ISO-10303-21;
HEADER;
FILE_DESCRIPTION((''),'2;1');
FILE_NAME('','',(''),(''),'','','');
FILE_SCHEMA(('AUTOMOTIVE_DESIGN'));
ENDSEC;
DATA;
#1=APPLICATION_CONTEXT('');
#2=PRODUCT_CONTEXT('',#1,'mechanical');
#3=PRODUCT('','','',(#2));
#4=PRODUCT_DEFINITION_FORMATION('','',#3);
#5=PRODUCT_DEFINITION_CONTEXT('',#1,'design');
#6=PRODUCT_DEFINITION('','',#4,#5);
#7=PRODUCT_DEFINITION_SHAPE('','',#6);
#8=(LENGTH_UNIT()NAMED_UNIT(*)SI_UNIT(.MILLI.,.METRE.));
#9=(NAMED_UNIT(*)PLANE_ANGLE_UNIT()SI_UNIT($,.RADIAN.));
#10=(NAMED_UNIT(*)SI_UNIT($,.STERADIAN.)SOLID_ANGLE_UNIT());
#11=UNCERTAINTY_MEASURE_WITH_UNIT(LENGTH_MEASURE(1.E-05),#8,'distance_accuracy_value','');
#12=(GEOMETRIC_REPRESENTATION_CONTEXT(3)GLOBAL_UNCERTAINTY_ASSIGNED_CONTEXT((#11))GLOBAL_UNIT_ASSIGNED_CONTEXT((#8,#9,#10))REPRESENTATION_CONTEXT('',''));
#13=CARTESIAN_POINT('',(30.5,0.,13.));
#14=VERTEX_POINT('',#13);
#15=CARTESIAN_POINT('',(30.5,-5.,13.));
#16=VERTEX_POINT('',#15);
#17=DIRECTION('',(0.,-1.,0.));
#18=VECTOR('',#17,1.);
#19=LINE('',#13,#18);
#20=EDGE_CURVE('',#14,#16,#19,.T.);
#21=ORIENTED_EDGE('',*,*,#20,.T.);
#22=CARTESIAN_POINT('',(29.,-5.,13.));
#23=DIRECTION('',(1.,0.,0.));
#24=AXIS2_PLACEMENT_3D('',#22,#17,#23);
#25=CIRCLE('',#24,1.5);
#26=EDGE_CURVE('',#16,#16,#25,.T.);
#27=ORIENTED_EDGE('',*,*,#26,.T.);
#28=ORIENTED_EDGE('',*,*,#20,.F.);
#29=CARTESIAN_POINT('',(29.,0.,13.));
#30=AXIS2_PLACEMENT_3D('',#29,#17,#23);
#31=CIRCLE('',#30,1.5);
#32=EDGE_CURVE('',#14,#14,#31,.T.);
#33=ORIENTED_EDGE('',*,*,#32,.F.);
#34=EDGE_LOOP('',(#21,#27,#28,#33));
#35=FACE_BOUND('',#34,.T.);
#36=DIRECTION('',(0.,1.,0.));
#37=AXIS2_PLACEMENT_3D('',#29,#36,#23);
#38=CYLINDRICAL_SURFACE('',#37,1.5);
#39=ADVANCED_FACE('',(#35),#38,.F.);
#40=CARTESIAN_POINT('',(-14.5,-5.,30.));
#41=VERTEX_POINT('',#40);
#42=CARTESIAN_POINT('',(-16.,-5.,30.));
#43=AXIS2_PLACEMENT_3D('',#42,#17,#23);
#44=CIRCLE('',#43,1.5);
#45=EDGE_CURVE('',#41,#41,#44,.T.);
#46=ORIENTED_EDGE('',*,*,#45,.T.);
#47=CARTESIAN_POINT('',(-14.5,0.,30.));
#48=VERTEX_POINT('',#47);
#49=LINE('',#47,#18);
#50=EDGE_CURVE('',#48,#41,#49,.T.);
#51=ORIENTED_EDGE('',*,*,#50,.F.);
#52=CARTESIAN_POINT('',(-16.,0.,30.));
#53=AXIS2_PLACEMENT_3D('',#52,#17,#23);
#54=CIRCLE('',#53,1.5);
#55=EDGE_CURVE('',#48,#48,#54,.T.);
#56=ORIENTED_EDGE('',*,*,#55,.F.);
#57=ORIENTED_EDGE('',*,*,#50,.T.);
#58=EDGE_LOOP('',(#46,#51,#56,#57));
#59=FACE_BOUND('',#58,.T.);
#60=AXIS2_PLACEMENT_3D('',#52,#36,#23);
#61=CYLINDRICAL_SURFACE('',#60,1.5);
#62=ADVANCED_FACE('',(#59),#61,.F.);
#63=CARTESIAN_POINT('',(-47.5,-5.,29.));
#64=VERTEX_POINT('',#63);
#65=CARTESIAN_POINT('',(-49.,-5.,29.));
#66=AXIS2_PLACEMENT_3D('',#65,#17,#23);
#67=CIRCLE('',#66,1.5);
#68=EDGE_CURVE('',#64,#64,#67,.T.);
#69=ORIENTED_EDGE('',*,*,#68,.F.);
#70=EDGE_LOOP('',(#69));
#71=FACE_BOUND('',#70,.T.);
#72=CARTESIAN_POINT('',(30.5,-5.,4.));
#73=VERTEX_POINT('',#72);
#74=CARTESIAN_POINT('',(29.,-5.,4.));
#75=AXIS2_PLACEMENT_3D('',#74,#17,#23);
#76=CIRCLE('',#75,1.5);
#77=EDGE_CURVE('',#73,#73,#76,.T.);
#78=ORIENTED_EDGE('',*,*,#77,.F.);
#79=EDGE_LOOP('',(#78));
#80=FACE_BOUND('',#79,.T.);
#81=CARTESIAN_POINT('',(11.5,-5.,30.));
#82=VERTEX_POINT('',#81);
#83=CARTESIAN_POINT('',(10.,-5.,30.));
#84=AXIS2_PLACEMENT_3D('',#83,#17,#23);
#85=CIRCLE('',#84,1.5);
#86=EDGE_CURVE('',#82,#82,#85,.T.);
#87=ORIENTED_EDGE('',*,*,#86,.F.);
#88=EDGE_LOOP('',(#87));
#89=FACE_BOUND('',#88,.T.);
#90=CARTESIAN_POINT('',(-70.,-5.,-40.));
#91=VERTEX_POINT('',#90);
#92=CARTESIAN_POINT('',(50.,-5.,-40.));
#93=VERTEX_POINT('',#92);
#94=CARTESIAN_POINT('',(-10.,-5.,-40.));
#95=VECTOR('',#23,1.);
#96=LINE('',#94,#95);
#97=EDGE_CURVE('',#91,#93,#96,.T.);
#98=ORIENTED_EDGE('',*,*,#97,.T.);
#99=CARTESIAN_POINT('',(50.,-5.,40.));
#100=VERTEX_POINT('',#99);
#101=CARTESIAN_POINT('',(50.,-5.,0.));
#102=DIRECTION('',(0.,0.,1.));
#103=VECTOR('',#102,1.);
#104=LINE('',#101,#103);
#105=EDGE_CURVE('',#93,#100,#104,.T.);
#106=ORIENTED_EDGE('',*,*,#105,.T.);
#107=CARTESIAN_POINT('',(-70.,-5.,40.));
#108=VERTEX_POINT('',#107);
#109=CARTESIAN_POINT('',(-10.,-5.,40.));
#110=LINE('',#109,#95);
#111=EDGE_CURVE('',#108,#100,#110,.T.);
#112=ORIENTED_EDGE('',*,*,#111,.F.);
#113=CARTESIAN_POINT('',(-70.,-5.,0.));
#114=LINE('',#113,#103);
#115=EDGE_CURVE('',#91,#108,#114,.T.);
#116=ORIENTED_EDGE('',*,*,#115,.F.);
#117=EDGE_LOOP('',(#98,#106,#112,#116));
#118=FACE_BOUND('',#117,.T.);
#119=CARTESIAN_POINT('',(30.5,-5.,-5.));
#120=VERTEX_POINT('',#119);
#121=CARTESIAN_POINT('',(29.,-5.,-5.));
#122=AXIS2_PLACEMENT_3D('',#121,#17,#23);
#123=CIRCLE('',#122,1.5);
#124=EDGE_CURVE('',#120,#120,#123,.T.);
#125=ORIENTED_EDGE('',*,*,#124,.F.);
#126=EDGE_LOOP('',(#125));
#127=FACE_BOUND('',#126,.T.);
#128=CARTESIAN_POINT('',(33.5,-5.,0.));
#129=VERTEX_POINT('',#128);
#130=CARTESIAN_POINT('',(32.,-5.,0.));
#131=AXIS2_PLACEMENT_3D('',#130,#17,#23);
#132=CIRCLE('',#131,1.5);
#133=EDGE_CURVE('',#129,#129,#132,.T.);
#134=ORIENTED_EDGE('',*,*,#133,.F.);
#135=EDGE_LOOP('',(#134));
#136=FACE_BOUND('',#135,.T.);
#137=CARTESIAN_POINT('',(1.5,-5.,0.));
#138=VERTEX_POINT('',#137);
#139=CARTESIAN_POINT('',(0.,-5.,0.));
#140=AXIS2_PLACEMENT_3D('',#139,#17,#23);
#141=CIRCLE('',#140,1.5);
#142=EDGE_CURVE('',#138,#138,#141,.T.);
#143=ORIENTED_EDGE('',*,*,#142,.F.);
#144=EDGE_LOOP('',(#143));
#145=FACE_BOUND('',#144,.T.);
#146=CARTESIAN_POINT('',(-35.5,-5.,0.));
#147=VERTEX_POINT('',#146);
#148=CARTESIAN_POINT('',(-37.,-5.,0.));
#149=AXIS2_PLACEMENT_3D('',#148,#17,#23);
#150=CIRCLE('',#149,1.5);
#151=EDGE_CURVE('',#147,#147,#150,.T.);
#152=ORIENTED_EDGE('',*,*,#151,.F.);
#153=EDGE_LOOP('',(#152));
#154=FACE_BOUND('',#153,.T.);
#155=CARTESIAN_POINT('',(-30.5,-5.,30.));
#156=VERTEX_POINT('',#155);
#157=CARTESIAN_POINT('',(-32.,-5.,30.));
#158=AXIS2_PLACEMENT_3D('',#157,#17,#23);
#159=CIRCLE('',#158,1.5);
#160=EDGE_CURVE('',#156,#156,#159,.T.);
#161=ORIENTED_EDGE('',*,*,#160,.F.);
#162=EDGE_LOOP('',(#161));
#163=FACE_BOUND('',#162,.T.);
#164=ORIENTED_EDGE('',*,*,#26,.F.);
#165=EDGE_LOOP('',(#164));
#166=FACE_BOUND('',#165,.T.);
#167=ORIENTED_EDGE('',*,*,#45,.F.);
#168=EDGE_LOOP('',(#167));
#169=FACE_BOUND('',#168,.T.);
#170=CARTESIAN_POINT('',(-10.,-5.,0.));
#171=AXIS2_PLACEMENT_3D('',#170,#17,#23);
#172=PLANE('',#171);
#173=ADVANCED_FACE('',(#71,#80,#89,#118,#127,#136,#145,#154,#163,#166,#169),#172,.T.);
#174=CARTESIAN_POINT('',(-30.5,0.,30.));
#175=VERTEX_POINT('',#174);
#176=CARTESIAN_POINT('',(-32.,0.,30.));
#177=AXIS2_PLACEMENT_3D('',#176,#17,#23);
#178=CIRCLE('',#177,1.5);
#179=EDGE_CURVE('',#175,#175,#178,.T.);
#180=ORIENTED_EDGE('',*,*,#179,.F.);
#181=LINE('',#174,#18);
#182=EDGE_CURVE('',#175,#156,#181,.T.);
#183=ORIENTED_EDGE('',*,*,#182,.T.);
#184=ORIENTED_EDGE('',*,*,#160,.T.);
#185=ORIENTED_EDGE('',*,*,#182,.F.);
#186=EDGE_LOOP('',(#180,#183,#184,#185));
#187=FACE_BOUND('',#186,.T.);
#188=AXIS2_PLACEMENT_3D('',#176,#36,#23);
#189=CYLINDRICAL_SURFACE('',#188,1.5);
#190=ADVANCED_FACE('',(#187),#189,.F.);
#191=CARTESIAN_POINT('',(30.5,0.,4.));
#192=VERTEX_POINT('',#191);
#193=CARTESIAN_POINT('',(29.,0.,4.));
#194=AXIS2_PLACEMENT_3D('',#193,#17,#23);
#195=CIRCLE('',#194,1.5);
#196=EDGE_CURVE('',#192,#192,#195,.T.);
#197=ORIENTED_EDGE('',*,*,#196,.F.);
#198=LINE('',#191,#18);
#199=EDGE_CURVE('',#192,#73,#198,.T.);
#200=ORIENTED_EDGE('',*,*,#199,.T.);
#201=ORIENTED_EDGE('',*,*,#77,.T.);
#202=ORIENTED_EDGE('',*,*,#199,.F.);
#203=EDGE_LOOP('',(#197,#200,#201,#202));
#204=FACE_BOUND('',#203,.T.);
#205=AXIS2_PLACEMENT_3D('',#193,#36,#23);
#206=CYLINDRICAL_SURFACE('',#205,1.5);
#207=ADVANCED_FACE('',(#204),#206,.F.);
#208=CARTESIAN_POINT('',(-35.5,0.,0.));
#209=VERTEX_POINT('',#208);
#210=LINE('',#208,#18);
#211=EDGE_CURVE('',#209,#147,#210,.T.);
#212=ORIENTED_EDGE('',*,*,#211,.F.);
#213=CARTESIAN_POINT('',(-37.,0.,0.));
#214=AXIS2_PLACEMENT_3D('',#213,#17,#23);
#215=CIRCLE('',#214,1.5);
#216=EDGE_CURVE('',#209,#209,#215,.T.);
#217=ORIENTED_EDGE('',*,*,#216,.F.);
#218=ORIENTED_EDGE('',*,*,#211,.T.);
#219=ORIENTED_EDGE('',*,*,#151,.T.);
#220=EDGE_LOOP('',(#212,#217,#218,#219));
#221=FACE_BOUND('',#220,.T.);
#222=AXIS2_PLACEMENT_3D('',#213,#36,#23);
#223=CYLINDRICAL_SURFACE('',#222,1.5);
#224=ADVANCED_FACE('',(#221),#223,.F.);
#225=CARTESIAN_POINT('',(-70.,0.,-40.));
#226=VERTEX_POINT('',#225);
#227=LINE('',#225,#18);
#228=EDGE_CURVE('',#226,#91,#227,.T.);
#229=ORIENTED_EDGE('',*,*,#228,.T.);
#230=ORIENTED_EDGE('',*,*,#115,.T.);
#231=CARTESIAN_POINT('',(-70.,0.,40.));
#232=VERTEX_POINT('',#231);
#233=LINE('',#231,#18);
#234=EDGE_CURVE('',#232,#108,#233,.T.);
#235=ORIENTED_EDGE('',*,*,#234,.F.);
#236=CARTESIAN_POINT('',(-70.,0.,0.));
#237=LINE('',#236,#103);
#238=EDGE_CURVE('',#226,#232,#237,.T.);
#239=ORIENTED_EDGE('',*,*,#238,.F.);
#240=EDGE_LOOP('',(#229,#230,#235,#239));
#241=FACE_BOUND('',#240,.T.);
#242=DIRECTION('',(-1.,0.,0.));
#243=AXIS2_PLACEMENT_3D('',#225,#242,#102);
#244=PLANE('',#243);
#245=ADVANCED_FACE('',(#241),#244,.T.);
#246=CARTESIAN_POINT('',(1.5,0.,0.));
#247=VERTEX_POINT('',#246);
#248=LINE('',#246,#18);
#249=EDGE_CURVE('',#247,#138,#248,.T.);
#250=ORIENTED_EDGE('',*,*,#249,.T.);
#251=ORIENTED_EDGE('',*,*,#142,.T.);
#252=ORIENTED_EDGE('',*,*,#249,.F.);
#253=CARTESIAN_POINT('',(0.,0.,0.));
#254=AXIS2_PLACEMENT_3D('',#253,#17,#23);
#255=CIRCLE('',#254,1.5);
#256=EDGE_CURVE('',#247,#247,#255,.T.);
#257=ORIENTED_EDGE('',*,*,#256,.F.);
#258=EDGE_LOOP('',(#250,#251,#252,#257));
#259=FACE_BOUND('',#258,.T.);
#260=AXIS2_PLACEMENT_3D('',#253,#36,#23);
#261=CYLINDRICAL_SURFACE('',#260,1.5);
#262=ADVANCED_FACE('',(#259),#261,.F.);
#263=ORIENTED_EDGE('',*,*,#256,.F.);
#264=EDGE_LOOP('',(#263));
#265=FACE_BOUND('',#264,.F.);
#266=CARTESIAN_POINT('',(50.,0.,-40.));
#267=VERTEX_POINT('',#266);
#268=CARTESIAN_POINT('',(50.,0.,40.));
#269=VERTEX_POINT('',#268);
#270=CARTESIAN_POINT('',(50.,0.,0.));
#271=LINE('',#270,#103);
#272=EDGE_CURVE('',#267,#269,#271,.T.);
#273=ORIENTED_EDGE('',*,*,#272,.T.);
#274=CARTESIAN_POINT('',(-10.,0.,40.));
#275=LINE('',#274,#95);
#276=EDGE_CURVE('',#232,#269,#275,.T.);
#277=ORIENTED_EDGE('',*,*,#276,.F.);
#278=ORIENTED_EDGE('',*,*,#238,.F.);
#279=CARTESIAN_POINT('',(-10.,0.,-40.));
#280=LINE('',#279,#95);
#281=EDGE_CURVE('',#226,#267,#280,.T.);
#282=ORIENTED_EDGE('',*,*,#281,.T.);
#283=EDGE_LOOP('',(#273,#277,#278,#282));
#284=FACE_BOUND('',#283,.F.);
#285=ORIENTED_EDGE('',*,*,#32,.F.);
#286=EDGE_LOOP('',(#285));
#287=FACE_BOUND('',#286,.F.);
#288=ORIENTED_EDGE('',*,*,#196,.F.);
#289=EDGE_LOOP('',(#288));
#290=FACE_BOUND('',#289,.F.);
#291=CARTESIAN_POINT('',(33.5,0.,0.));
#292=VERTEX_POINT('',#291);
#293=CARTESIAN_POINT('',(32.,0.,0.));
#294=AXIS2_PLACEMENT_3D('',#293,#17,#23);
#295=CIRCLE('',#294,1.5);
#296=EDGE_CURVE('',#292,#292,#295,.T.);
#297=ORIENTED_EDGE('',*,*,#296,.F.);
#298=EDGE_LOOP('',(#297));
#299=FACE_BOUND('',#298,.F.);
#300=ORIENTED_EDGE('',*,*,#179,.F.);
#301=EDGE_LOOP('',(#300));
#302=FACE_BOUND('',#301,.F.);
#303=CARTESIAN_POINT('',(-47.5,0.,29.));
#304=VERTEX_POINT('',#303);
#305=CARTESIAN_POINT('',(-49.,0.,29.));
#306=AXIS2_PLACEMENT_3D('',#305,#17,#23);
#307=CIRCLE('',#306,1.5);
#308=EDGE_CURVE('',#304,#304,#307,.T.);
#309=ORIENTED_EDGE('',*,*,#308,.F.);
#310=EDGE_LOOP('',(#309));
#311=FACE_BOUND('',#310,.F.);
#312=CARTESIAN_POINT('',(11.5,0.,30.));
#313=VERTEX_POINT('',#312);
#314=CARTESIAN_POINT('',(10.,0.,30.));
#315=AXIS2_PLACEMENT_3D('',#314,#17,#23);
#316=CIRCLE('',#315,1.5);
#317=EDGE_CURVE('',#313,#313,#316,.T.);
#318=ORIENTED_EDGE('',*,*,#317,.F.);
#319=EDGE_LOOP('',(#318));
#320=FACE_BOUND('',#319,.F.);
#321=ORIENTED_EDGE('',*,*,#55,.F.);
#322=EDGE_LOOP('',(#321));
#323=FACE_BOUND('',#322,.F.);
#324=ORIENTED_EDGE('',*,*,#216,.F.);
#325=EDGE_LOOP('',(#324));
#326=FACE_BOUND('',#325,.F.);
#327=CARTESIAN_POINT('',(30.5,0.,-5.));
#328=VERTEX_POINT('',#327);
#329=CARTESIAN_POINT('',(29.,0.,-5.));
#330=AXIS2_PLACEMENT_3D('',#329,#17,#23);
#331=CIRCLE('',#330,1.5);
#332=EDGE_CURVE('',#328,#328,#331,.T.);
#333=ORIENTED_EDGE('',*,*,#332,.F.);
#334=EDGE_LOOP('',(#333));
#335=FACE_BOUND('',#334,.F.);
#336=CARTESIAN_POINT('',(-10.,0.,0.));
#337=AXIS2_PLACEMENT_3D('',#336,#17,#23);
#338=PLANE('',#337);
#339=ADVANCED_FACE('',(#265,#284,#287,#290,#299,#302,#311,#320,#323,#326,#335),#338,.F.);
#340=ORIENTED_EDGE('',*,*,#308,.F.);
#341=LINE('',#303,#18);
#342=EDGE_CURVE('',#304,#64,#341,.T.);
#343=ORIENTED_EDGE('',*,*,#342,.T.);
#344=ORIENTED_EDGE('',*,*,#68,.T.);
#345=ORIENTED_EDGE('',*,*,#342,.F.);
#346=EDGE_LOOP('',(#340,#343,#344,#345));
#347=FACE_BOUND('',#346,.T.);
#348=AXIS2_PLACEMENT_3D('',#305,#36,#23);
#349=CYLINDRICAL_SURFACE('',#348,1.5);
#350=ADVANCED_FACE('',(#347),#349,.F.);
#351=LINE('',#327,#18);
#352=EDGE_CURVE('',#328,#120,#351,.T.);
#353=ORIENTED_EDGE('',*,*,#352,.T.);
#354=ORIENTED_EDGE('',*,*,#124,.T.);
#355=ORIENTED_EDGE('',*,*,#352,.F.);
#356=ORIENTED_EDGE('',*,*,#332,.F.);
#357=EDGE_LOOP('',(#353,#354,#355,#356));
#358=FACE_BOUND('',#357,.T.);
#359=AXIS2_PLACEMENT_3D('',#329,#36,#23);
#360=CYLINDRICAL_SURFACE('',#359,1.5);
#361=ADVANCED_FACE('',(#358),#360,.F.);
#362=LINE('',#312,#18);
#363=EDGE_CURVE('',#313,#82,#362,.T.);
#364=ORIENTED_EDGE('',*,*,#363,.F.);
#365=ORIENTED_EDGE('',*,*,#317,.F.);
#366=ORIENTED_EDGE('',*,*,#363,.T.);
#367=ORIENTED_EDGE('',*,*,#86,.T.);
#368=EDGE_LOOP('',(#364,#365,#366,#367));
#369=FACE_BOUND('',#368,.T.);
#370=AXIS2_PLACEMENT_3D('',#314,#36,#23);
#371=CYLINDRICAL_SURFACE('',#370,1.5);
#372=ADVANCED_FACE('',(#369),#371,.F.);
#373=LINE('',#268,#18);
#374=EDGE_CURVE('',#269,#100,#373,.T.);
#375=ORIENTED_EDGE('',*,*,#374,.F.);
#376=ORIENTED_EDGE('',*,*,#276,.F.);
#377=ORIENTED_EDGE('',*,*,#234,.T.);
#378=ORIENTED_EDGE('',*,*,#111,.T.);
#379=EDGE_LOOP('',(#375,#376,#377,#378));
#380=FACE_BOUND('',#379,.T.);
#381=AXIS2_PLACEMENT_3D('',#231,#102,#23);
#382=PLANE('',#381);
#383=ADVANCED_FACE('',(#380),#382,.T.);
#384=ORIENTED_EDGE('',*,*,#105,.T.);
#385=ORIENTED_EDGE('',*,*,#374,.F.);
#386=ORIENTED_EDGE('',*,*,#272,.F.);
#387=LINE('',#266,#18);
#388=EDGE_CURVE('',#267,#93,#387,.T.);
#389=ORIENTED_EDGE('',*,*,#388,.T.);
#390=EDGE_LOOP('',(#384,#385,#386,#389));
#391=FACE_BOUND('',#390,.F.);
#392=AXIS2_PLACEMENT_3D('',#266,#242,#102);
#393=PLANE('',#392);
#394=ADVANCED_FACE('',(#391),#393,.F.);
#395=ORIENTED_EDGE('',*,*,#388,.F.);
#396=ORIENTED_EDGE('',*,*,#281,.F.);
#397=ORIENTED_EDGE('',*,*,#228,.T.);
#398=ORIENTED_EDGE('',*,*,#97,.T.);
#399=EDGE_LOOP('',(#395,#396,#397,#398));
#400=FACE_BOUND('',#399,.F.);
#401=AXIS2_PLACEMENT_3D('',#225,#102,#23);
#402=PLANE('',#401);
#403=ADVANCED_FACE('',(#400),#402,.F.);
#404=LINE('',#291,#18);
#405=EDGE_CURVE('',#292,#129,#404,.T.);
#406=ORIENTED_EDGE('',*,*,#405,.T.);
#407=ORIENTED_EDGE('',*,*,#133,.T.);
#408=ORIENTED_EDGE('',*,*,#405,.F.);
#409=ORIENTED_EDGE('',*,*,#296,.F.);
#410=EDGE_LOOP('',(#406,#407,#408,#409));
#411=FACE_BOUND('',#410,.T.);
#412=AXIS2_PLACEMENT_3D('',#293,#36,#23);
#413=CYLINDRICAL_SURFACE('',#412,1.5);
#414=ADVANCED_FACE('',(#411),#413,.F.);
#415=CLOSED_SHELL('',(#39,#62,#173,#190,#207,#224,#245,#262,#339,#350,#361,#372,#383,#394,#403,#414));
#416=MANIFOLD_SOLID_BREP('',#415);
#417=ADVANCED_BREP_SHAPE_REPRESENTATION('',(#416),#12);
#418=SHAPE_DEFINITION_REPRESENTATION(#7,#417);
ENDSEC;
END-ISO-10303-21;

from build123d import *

# Parameters (mm, degrees)
F0_W     = 120
F0_H     = 80
F0_R     = 1.5
F1_DEPTH = 5


with BuildPart() as f1:
    # F0 (on Front) → F1 (new body)
    with BuildSketch(Plane.XZ):
        with Locations((-10, 0)):
            Rectangle(F0_W, F0_H)
        with Locations((29, -5)):
            Circle(F0_R, mode=Mode.SUBTRACT)
        with Locations((-37, 0)):
            Circle(F0_R, mode=Mode.SUBTRACT)
        with Locations((-49, 29)):
            Circle(F0_R, mode=Mode.SUBTRACT)
        with Locations((-32, 30)):
            Circle(F0_R, mode=Mode.SUBTRACT)
        with Locations((-16, 30)):
            Circle(F0_R, mode=Mode.SUBTRACT)
        Circle(F0_R, mode=Mode.SUBTRACT)
        with Locations((32, 0)):
            Circle(F0_R, mode=Mode.SUBTRACT)
        with Locations((29, 4)):
            Circle(F0_R, mode=Mode.SUBTRACT)
        with Locations((29, 13)):
            Circle(F0_R, mode=Mode.SUBTRACT)
        with Locations((10, 30)):
            Circle(F0_R, mode=Mode.SUBTRACT)
    extrude(amount=F1_DEPTH)


solid = f1.part
